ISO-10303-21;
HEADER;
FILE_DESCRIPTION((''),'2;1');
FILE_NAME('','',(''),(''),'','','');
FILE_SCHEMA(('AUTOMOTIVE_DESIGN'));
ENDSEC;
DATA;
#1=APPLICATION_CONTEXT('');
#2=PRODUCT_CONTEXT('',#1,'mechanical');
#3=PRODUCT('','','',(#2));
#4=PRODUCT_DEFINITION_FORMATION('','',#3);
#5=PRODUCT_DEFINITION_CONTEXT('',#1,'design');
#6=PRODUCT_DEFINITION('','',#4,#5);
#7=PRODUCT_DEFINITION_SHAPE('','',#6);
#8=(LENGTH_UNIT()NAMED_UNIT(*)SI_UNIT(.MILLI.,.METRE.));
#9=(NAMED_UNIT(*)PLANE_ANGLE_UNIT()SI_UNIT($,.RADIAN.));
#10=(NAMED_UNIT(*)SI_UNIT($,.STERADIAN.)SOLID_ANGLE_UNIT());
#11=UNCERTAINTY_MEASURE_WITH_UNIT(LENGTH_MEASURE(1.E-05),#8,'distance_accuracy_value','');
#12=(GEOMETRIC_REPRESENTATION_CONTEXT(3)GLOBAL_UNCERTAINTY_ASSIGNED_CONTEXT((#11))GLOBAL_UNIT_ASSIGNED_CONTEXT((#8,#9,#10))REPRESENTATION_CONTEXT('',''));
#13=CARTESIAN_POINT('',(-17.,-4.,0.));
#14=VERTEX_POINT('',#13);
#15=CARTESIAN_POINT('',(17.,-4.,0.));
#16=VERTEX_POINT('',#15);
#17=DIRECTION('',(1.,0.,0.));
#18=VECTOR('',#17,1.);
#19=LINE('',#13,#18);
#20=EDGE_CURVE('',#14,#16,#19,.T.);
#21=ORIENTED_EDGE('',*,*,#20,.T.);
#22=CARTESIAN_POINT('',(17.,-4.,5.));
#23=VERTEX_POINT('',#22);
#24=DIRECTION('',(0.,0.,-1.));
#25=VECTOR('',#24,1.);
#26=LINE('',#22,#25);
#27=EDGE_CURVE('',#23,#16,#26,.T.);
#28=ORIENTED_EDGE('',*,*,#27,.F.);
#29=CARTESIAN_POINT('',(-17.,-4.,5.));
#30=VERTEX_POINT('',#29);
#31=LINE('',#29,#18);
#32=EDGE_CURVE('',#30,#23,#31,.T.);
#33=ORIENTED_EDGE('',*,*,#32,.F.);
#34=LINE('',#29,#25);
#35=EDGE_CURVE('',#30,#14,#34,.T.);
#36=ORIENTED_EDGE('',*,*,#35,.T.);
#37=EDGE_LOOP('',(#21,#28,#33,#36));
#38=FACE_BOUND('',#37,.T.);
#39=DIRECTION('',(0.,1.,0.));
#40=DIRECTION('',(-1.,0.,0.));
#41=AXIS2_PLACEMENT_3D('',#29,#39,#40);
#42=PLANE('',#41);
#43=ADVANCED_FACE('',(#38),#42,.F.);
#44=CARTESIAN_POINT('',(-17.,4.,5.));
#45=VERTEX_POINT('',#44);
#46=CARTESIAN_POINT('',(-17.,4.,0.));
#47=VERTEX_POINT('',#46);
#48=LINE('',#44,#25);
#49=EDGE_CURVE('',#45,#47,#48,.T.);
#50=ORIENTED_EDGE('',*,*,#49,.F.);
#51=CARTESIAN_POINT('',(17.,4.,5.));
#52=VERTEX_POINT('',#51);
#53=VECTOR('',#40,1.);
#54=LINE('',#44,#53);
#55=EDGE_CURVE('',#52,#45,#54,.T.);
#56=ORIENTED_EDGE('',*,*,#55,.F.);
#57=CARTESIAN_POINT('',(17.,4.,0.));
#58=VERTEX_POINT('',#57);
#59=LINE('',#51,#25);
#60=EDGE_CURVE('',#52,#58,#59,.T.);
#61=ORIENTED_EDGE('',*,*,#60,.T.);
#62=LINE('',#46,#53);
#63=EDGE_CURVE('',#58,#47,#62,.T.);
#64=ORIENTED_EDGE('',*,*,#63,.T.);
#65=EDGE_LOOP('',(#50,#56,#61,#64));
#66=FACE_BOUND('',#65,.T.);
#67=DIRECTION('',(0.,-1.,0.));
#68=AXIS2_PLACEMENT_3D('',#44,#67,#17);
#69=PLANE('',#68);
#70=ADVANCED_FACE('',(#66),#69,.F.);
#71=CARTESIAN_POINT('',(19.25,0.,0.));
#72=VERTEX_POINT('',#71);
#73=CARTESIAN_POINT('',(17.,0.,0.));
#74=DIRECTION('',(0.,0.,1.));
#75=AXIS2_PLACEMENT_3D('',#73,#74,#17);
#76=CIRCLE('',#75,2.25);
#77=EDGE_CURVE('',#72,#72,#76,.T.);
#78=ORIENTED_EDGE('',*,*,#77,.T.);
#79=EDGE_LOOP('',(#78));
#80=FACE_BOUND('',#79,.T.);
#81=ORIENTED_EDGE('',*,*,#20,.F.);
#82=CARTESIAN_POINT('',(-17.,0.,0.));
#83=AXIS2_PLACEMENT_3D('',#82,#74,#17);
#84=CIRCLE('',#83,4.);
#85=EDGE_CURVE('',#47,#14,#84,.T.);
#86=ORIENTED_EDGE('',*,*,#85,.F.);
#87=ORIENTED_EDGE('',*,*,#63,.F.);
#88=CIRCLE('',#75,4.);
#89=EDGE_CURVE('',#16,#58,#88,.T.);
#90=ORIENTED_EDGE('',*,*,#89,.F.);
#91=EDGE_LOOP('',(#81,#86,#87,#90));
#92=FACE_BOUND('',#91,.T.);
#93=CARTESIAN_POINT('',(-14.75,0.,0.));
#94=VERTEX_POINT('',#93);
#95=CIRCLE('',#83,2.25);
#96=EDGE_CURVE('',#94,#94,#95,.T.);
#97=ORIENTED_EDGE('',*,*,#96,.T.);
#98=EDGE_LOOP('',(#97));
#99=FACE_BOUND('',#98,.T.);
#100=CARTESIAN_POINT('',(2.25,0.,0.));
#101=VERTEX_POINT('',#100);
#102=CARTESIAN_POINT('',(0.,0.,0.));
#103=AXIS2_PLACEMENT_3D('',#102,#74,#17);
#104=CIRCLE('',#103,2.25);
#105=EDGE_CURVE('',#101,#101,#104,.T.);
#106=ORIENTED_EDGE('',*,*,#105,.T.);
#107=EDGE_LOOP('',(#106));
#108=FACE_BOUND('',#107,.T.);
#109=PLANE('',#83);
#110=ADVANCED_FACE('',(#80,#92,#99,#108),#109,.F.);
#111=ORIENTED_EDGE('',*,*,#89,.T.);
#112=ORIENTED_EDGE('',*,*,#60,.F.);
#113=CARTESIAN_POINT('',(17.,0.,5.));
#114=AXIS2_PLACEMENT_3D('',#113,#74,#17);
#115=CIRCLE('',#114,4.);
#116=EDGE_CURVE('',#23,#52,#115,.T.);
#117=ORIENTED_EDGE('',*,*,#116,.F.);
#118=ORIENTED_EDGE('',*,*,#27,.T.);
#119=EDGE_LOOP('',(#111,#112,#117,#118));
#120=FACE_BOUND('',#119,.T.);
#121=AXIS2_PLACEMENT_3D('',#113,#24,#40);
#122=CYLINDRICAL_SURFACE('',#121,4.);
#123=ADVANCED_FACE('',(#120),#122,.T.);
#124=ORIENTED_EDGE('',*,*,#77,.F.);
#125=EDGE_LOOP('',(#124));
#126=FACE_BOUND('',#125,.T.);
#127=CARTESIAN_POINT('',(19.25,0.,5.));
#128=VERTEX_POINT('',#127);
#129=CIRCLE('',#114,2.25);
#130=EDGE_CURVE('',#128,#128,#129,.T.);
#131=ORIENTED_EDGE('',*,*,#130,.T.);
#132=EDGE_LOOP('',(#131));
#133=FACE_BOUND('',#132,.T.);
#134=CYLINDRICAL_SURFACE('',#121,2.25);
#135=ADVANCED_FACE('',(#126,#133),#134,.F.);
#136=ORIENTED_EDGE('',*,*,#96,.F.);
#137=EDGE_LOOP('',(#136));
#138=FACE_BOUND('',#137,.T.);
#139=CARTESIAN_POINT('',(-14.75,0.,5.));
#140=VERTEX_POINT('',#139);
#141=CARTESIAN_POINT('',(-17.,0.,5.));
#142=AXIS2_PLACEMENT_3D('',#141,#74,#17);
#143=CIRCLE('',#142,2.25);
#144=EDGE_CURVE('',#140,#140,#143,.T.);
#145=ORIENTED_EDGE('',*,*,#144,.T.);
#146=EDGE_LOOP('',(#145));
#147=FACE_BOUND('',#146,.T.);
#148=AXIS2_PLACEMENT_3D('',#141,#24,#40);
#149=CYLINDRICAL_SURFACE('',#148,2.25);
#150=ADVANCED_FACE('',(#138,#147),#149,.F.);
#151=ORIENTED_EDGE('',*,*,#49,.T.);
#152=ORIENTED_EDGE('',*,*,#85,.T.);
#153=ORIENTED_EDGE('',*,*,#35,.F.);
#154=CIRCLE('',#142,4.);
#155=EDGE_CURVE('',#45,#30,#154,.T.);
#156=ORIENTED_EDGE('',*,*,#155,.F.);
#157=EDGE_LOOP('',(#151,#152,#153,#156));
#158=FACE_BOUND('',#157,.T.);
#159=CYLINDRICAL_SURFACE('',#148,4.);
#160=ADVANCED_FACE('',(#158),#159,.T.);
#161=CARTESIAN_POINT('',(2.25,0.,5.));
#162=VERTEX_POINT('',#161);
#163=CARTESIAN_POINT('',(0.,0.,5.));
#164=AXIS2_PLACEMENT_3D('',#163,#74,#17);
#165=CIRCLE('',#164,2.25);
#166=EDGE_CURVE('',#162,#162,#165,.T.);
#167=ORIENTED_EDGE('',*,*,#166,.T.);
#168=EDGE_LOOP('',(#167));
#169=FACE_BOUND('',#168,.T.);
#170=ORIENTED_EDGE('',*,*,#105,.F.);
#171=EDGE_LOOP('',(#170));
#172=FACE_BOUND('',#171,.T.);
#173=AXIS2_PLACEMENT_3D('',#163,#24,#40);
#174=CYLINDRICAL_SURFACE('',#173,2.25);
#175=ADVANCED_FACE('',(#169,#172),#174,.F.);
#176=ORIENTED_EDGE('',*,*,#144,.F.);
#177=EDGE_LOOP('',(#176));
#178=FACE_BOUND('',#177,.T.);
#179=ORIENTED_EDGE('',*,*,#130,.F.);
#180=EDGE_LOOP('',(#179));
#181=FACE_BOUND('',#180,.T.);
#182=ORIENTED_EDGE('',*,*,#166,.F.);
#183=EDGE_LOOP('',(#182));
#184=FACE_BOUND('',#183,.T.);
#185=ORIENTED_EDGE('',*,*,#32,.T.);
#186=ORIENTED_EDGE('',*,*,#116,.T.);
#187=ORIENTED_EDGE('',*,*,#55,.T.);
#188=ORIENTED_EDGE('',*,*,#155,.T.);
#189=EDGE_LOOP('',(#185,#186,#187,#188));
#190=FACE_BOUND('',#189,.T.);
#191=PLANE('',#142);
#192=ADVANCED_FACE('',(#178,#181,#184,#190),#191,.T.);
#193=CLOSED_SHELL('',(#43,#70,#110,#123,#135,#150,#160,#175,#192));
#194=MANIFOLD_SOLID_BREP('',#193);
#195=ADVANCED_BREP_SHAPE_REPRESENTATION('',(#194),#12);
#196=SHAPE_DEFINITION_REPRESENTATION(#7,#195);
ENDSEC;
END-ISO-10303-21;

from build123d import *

# Parameters (mm, degrees)
SKETCH1_R           = 2.25
BOSS_EXTRUDE1_DEPTH = 5


with BuildPart() as part:
    # Sketch1 → Boss-Extrude1 (new body)
    with BuildSketch(Plane.XY):
        with BuildLine():
            Line((-17, 4), (17, 4))
            ThreePointArc((17, 4), (21, 0), (17, -4))
            Line((17, -4), (-17, -4))
            ThreePointArc((-17, -4), (-21, 0), (-17, 4))
        make_face()
        Circle(SKETCH1_R, mode=Mode.SUBTRACT)
        with Locations((-17, 0)):
            Circle(SKETCH1_R, mode=Mode.SUBTRACT)
        with Locations((17, 0)):
            Circle(SKETCH1_R, mode=Mode.SUBTRACT)
    extrude(amount=BOSS_EXTRUDE1_DEPTH)


solid = part.part
